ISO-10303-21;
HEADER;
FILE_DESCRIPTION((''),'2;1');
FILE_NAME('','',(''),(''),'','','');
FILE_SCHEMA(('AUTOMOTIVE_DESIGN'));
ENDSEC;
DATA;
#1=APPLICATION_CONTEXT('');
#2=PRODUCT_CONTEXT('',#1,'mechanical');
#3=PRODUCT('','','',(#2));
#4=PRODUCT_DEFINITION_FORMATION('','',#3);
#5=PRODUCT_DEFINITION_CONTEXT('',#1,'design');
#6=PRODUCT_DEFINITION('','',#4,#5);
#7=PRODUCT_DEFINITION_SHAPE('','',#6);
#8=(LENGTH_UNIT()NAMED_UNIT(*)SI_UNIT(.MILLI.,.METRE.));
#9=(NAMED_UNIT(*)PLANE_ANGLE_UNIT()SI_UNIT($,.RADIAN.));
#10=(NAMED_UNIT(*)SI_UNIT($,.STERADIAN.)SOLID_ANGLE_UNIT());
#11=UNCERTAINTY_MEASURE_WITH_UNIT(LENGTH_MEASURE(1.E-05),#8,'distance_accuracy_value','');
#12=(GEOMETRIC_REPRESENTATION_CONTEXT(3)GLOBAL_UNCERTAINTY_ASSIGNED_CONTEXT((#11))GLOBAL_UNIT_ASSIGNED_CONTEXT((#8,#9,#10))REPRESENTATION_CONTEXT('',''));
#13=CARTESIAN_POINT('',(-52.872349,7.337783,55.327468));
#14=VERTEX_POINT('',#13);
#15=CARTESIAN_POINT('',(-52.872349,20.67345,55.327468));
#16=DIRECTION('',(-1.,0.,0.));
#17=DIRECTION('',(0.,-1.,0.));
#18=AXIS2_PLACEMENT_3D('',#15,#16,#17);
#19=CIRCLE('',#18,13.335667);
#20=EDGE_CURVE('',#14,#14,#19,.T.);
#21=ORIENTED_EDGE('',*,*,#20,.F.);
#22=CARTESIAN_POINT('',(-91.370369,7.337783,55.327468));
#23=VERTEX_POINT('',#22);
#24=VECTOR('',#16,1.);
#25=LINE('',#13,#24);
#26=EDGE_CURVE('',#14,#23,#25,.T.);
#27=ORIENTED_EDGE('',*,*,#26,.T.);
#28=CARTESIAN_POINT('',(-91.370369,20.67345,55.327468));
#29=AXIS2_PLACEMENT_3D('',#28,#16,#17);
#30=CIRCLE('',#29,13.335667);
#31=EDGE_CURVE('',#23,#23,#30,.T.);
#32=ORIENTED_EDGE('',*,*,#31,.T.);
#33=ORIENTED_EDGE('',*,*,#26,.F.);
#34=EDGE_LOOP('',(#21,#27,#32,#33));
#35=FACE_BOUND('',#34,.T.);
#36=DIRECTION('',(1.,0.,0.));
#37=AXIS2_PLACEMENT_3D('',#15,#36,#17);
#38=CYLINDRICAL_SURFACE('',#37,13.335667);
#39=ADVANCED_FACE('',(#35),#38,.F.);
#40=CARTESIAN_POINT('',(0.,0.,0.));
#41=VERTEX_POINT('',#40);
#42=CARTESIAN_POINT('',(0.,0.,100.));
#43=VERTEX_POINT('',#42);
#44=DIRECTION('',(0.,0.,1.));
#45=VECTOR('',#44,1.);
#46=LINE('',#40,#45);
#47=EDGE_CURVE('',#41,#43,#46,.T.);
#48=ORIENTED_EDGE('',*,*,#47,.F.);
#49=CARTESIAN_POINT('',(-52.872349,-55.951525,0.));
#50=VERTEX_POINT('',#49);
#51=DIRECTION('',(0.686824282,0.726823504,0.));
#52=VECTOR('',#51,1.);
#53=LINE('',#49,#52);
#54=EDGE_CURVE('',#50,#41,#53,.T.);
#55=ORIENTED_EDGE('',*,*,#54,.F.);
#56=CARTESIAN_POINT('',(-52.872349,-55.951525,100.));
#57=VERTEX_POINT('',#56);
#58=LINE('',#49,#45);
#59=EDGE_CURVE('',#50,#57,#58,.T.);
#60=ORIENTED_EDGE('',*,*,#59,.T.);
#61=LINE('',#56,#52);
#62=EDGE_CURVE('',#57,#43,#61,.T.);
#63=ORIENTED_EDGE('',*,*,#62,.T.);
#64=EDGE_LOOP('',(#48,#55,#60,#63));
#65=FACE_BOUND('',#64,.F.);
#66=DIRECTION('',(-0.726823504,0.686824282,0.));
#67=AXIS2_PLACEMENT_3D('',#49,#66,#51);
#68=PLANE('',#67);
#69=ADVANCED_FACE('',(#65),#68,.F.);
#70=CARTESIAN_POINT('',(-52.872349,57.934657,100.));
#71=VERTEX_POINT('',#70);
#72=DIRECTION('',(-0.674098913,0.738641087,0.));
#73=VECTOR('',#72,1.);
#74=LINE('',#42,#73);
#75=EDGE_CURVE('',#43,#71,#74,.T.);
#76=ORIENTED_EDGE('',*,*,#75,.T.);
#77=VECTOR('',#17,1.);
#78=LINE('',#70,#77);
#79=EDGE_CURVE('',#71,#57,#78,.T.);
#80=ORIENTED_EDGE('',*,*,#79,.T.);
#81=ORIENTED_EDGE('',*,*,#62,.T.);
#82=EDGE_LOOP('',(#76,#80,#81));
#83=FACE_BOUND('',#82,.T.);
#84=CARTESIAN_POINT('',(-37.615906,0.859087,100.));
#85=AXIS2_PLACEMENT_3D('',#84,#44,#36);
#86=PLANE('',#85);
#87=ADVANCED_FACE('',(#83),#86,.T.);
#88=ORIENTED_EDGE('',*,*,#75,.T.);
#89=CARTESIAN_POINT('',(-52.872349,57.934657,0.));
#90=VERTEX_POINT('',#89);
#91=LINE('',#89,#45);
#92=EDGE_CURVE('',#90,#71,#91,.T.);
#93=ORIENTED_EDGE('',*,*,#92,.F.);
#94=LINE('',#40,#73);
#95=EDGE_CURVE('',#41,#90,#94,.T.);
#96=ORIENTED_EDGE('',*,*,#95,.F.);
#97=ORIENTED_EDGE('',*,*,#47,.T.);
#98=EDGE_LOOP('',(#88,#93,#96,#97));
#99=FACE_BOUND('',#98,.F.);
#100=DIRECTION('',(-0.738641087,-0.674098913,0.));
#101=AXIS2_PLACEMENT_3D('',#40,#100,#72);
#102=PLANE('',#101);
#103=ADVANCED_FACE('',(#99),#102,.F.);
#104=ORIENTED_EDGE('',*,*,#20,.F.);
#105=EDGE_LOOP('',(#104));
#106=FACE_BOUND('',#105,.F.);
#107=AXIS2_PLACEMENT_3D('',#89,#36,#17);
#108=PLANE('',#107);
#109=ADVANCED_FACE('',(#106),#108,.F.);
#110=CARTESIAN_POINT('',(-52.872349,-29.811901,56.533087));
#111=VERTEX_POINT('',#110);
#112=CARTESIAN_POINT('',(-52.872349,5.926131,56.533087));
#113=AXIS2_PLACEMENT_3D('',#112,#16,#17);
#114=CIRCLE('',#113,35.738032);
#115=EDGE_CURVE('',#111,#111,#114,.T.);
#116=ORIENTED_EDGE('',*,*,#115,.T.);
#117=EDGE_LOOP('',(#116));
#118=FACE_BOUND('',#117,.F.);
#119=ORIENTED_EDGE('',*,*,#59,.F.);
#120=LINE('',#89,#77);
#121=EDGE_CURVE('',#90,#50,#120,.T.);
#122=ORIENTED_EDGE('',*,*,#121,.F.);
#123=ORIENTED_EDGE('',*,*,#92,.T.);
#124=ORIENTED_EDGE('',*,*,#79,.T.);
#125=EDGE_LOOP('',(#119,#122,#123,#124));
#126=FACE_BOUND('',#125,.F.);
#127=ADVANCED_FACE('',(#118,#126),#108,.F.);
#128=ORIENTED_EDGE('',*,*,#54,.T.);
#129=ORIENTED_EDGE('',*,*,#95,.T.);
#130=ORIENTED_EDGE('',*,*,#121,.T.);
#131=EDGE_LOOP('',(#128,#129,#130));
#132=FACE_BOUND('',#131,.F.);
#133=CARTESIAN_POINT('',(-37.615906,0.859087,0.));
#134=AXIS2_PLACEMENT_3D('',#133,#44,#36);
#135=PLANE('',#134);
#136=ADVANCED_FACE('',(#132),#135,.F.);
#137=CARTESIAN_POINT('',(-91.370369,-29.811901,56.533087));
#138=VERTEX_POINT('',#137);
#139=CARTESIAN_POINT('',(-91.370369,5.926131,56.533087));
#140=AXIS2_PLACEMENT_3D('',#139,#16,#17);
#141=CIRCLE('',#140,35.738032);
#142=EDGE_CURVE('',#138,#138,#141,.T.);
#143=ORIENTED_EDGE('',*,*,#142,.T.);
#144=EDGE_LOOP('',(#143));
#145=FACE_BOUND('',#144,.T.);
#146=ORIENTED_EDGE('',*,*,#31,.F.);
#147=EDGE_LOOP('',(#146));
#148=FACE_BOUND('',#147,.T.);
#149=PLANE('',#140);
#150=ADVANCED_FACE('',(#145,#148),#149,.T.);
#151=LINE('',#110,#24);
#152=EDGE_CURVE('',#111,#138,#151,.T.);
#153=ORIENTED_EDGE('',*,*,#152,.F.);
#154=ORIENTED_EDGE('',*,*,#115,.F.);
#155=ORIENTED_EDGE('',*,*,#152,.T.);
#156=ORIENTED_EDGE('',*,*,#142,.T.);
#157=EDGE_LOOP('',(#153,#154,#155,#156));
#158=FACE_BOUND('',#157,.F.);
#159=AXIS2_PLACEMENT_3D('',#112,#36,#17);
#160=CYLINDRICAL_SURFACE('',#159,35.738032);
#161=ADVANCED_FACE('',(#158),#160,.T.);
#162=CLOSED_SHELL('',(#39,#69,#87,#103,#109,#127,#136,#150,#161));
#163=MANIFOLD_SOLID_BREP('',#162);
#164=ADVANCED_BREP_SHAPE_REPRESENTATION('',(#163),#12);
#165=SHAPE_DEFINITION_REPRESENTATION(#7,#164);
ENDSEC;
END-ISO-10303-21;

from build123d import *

# Parameters (mm, degrees)
F1_DEPTH = 100
F2_R     = 35.738032
F2_R_2   = 13.335667
F3_DEPTH = 38.49802


with BuildPart() as f1:
    # F0 (on Top) → F1 (new body)
    with BuildSketch(Plane.XY):
        Polygon((-52.872349, 57.934657), (-52.872349, -55.951525), (0, 0), align=None)
    extrude(amount=F1_DEPTH)

    # F2 (on face) → F3 (join)
    with BuildSketch(Plane(origin=(-52.872349, 0, 0), x_dir=(0, -1, 0), z_dir=(-1, 0, 0))):
        with Locations((-5.926131, 56.533087)):
            Circle(F2_R)
        with Locations((-20.67345, 55.327468)):
            Circle(F2_R_2, mode=Mode.SUBTRACT)
    extrude(amount=F3_DEPTH)


solid = f1.part
